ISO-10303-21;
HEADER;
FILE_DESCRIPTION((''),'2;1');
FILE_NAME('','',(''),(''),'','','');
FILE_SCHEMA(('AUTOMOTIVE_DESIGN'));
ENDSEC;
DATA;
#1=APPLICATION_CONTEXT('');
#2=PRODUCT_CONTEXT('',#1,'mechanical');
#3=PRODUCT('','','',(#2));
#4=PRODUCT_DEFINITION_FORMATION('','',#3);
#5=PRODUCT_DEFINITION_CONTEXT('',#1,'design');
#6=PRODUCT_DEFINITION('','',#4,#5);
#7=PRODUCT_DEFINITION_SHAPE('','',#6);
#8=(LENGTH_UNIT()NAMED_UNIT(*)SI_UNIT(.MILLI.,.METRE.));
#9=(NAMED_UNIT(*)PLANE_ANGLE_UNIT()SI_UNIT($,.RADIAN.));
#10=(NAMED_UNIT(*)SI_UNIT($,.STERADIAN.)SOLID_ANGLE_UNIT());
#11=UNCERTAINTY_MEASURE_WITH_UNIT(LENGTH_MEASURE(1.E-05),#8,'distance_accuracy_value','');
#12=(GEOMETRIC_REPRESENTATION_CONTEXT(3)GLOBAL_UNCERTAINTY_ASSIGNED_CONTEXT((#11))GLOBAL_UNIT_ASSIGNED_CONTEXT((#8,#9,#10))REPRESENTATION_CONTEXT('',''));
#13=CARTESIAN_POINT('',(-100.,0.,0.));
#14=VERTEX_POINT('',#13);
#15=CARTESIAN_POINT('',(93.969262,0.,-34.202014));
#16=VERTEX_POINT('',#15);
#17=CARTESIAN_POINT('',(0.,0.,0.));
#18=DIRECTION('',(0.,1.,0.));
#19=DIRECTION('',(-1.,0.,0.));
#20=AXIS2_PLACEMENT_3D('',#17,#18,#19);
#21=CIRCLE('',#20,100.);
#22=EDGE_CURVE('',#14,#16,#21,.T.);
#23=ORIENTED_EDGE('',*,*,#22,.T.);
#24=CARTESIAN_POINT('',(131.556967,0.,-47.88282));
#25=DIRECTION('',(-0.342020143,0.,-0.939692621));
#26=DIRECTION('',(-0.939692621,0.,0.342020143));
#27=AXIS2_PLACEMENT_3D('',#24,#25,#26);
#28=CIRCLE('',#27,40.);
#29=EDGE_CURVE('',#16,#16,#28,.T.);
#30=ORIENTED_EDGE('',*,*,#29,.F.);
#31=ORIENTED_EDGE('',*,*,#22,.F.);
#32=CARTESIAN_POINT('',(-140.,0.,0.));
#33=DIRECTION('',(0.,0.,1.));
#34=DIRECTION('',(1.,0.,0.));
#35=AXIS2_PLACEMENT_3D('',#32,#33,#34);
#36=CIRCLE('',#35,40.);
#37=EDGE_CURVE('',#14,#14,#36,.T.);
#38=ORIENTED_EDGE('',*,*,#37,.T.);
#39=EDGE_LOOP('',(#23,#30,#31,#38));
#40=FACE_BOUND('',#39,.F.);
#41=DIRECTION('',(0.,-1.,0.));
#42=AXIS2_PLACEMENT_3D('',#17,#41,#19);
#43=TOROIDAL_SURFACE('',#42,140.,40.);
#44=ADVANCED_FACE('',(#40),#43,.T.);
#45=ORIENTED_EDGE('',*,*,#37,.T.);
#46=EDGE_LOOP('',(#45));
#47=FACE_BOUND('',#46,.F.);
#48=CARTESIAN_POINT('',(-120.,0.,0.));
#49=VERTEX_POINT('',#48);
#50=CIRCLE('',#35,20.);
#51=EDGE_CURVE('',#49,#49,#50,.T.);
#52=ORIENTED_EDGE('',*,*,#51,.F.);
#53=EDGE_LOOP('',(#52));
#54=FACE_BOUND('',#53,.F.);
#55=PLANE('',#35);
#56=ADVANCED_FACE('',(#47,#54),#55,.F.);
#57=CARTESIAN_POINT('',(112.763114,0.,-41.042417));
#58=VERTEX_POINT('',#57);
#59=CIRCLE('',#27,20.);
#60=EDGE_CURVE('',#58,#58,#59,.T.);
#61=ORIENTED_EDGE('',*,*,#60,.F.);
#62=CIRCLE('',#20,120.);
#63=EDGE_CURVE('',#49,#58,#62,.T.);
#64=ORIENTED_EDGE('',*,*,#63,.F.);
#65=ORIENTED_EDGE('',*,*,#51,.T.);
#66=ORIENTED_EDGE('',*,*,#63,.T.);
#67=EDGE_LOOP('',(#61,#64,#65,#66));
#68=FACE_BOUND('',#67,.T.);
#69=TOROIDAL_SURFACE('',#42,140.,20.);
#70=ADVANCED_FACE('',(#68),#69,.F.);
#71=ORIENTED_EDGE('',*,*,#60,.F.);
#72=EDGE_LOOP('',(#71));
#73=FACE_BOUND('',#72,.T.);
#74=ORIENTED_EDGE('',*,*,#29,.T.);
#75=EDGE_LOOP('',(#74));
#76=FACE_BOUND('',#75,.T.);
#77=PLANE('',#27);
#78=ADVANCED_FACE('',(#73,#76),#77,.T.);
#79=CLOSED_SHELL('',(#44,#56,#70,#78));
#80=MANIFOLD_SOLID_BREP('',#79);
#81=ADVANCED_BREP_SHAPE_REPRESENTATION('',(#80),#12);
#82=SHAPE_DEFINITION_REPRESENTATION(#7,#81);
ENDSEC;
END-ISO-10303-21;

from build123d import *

# Parameters (mm, degrees)
F1_R     = 40
F1_R_2   = 20
F2_ANGLE = 200


with BuildPart() as f2:
    # F1 (on Top) → F2 (revolve)
    with BuildSketch(Plane.XY):
        with Locations((-140, 0)):
            Circle(F1_R)
        with Locations((-140, 0)):
            Circle(F1_R_2, mode=Mode.SUBTRACT)
    revolve(axis=Axis((0, 20.6754915416, 0), (0, 1, 0)), revolution_arc=F2_ANGLE)


solid = f2.part
